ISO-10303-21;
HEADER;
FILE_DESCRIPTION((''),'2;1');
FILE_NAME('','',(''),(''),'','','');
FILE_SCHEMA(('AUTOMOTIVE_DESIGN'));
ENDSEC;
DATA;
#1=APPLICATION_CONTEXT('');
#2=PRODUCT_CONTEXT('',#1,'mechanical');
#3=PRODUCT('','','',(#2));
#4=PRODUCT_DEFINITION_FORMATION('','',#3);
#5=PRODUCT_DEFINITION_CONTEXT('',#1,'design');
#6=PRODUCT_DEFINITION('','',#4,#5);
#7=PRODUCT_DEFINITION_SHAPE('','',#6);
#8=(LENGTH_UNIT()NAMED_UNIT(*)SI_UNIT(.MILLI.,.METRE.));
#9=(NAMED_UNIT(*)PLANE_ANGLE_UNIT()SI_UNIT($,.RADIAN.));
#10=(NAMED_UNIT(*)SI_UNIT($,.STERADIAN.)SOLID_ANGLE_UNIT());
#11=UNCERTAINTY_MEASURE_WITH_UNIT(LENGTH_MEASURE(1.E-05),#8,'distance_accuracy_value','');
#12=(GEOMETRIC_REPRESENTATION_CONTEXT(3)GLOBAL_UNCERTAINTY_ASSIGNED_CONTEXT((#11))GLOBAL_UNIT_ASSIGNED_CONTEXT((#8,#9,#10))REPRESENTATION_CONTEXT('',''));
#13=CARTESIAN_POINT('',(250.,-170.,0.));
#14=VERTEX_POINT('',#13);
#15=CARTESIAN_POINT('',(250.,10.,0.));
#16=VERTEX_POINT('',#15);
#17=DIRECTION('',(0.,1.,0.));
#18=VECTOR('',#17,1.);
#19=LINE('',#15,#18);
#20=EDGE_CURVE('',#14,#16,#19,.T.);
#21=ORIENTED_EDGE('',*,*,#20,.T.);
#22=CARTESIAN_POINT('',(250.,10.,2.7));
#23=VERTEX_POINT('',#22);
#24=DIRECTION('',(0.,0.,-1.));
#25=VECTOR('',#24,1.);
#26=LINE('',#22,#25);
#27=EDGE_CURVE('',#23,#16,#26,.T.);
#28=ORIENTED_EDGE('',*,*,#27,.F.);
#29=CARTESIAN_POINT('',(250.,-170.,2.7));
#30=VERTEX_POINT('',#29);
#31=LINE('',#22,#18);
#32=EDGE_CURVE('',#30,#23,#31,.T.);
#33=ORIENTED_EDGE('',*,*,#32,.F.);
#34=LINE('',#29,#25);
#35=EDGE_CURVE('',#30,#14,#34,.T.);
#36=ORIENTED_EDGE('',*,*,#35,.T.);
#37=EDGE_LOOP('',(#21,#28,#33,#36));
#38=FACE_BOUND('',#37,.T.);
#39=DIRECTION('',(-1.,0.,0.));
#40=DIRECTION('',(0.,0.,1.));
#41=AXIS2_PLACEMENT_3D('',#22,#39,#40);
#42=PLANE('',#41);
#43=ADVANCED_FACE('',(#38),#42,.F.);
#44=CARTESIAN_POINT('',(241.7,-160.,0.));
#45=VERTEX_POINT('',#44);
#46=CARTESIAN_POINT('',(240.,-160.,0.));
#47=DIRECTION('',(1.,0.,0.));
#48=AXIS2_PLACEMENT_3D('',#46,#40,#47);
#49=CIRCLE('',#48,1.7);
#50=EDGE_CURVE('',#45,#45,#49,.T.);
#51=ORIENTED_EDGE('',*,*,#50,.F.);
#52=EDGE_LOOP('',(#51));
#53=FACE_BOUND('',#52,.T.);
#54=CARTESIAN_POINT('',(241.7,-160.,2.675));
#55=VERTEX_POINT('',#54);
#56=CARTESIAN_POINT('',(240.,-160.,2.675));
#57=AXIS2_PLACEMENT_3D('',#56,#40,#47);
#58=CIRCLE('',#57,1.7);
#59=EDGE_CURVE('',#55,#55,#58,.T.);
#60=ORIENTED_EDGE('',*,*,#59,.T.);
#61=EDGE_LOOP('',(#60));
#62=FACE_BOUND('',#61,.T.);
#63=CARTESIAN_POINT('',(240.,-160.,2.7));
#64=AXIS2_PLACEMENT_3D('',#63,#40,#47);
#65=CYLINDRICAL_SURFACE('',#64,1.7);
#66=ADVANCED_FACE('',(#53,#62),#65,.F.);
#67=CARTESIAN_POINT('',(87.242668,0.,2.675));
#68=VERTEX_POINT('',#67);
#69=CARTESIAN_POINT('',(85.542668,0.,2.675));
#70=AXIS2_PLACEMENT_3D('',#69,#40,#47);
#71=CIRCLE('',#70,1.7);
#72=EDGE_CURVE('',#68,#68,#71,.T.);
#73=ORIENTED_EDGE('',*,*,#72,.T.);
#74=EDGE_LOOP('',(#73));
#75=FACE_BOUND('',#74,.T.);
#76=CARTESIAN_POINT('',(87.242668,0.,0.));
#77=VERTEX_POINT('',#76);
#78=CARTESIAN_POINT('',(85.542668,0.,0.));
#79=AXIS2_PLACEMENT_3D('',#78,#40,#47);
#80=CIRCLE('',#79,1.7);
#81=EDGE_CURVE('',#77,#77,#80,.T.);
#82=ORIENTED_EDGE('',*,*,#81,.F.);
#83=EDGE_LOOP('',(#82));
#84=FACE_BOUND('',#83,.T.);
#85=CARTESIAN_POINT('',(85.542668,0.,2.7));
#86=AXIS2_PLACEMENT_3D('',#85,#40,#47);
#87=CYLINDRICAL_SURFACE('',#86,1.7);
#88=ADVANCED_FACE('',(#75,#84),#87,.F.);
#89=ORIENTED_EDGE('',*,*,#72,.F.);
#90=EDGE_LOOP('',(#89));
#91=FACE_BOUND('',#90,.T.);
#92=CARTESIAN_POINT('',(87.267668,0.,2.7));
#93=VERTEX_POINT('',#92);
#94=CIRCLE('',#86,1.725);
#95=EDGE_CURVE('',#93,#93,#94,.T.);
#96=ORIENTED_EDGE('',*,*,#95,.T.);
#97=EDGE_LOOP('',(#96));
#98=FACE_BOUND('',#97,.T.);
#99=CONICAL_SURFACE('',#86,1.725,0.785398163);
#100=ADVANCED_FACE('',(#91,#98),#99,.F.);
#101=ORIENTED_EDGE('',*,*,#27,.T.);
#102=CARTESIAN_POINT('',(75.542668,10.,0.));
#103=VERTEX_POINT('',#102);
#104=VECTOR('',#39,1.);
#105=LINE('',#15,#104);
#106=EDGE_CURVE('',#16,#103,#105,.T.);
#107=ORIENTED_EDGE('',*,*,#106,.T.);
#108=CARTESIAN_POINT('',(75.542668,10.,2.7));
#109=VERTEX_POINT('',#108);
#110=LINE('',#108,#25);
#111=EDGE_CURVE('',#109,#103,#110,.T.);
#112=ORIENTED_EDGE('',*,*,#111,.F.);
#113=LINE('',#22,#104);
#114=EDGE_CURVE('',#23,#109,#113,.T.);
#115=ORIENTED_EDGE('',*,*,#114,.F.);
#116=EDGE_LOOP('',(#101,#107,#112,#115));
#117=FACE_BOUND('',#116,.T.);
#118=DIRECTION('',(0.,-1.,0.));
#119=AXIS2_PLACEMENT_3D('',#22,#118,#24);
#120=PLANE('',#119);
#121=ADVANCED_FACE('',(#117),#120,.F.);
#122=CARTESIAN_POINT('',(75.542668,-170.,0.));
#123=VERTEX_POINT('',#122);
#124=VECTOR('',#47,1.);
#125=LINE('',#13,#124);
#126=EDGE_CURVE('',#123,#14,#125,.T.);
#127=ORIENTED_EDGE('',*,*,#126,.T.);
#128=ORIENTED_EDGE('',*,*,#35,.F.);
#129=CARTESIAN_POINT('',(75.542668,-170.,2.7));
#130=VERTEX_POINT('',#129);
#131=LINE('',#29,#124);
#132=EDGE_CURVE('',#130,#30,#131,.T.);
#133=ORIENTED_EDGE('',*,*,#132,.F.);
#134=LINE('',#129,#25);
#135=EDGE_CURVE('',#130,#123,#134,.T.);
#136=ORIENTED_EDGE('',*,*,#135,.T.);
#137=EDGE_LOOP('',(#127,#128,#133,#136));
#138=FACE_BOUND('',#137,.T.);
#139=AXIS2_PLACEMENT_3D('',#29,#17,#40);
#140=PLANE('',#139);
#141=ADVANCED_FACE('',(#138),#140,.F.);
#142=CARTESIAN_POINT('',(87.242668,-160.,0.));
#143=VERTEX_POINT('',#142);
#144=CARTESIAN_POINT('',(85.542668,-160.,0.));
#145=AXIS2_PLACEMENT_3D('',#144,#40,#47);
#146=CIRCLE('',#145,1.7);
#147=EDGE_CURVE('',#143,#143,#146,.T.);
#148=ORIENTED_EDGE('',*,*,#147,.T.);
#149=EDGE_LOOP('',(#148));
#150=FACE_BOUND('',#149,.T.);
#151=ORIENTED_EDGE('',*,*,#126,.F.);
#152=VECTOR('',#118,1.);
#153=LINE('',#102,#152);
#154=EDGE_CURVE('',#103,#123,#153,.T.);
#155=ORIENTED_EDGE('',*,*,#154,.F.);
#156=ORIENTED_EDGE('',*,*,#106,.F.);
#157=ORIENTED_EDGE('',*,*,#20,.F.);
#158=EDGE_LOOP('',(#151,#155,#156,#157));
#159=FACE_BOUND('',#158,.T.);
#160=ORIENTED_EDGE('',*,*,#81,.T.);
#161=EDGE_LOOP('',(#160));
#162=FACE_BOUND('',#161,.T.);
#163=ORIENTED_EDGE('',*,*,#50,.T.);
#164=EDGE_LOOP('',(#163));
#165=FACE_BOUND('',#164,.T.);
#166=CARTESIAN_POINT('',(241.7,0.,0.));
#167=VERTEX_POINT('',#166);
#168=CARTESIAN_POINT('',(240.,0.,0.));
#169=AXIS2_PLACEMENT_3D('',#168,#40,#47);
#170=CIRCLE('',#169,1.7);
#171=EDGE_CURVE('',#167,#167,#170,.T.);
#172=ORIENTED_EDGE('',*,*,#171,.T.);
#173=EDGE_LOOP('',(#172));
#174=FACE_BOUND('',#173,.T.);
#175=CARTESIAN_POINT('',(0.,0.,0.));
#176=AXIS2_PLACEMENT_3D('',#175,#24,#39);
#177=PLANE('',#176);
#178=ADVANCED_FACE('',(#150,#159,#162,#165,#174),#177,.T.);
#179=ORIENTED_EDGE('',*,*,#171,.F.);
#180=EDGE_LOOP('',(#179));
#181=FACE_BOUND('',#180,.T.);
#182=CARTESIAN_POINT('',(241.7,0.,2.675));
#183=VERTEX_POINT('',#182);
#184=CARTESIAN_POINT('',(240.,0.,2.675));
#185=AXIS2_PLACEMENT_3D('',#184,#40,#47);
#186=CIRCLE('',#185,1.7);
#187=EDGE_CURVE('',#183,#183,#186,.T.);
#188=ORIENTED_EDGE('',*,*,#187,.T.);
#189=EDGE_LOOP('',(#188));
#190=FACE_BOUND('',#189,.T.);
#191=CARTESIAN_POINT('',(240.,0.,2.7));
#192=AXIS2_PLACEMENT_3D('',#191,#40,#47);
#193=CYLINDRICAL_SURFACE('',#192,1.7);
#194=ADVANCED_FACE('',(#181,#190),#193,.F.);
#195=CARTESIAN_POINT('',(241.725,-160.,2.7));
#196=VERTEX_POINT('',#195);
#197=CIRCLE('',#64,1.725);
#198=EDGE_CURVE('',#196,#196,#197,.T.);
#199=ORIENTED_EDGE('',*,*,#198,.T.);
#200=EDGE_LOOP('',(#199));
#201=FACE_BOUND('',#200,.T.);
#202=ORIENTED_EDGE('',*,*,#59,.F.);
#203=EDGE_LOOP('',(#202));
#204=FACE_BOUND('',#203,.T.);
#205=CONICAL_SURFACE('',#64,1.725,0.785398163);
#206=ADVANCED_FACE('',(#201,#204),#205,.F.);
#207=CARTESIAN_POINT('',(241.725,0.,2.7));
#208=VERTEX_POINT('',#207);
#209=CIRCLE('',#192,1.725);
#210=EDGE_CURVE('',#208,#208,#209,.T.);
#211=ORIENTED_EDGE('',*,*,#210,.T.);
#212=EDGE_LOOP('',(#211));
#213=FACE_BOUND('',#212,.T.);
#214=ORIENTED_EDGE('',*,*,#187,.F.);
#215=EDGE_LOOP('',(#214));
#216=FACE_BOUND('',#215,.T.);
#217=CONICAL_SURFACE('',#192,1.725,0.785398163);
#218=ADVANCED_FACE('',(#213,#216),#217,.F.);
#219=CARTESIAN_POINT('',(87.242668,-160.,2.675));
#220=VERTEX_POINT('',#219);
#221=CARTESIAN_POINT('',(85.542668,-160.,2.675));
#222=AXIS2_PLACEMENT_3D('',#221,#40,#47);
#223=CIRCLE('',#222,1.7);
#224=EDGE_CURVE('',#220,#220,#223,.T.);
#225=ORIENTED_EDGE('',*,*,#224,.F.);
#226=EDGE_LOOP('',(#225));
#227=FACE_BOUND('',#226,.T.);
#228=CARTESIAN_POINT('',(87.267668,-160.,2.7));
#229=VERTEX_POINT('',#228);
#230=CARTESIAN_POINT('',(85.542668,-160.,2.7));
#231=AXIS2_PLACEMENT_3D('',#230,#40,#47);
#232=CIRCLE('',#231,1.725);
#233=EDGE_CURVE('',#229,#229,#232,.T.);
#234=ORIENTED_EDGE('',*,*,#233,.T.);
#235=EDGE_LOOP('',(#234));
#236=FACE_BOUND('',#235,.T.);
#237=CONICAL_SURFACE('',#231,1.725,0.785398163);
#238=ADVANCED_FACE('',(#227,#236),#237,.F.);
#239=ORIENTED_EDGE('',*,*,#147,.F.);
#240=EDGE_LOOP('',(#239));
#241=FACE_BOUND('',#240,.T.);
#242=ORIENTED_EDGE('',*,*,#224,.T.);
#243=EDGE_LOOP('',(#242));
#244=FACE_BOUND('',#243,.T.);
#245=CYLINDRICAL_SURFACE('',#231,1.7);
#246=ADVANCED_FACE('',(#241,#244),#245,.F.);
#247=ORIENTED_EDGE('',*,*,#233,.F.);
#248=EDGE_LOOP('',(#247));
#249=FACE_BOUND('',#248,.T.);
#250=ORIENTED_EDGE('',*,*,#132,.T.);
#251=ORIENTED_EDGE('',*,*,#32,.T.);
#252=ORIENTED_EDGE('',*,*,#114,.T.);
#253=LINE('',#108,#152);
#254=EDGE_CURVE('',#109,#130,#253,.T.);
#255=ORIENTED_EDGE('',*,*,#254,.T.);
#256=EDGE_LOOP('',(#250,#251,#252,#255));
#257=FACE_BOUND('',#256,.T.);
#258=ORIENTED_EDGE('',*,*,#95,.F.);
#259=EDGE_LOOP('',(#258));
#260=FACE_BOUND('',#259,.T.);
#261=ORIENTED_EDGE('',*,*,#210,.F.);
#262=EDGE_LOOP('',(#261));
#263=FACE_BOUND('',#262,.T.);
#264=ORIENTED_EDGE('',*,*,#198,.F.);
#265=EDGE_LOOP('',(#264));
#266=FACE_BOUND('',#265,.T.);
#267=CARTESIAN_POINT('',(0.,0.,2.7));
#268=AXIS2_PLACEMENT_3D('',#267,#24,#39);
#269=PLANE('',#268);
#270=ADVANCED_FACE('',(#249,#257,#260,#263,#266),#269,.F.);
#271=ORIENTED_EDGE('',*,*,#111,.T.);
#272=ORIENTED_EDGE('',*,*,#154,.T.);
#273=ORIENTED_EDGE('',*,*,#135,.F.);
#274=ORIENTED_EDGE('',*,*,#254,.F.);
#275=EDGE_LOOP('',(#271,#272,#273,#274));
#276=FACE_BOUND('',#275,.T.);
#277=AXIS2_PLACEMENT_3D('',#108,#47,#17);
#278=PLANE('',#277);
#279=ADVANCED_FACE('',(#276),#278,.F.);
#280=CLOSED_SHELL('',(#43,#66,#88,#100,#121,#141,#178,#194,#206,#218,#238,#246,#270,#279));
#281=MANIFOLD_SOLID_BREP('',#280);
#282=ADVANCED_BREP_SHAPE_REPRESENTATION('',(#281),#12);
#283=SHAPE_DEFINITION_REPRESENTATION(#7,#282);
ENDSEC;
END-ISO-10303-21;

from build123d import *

# Parameters (mm, degrees)
SKETCH1_W                      = 174.457332138
SKETCH1_H                      = 180
BOSS_EXTRUDE1_DEPTH            = 2.7
M3_CLEARANCE_HOLE1_D           = 3.4
M3_CLEARANCE_HOLE1_CSINK_D     = 3.45
M3_CLEARANCE_HOLE1_CSINK_ANGLE = 90


with BuildPart() as part:
    # Sketch1 → Boss-Extrude1 (new body)
    with BuildSketch(Plane.XY):
        with Locations((162.771333931, -80)):
            Rectangle(SKETCH1_W, SKETCH1_H)
    extrude(amount=BOSS_EXTRUDE1_DEPTH)

    # M3 Clearance Hole1 (through all)
    with Locations(Plane(origin=(85.542667862, 0, 2.7), x_dir=(1, 0, 0), z_dir=(0, 0, 1))):
        with Locations((0, 0), (0, -160), (154.457332138, -160), (154.457332138, 0)):
            CounterSinkHole(M3_CLEARANCE_HOLE1_D / 2, M3_CLEARANCE_HOLE1_CSINK_D / 2, counter_sink_angle=M3_CLEARANCE_HOLE1_CSINK_ANGLE)


solid = part.part
